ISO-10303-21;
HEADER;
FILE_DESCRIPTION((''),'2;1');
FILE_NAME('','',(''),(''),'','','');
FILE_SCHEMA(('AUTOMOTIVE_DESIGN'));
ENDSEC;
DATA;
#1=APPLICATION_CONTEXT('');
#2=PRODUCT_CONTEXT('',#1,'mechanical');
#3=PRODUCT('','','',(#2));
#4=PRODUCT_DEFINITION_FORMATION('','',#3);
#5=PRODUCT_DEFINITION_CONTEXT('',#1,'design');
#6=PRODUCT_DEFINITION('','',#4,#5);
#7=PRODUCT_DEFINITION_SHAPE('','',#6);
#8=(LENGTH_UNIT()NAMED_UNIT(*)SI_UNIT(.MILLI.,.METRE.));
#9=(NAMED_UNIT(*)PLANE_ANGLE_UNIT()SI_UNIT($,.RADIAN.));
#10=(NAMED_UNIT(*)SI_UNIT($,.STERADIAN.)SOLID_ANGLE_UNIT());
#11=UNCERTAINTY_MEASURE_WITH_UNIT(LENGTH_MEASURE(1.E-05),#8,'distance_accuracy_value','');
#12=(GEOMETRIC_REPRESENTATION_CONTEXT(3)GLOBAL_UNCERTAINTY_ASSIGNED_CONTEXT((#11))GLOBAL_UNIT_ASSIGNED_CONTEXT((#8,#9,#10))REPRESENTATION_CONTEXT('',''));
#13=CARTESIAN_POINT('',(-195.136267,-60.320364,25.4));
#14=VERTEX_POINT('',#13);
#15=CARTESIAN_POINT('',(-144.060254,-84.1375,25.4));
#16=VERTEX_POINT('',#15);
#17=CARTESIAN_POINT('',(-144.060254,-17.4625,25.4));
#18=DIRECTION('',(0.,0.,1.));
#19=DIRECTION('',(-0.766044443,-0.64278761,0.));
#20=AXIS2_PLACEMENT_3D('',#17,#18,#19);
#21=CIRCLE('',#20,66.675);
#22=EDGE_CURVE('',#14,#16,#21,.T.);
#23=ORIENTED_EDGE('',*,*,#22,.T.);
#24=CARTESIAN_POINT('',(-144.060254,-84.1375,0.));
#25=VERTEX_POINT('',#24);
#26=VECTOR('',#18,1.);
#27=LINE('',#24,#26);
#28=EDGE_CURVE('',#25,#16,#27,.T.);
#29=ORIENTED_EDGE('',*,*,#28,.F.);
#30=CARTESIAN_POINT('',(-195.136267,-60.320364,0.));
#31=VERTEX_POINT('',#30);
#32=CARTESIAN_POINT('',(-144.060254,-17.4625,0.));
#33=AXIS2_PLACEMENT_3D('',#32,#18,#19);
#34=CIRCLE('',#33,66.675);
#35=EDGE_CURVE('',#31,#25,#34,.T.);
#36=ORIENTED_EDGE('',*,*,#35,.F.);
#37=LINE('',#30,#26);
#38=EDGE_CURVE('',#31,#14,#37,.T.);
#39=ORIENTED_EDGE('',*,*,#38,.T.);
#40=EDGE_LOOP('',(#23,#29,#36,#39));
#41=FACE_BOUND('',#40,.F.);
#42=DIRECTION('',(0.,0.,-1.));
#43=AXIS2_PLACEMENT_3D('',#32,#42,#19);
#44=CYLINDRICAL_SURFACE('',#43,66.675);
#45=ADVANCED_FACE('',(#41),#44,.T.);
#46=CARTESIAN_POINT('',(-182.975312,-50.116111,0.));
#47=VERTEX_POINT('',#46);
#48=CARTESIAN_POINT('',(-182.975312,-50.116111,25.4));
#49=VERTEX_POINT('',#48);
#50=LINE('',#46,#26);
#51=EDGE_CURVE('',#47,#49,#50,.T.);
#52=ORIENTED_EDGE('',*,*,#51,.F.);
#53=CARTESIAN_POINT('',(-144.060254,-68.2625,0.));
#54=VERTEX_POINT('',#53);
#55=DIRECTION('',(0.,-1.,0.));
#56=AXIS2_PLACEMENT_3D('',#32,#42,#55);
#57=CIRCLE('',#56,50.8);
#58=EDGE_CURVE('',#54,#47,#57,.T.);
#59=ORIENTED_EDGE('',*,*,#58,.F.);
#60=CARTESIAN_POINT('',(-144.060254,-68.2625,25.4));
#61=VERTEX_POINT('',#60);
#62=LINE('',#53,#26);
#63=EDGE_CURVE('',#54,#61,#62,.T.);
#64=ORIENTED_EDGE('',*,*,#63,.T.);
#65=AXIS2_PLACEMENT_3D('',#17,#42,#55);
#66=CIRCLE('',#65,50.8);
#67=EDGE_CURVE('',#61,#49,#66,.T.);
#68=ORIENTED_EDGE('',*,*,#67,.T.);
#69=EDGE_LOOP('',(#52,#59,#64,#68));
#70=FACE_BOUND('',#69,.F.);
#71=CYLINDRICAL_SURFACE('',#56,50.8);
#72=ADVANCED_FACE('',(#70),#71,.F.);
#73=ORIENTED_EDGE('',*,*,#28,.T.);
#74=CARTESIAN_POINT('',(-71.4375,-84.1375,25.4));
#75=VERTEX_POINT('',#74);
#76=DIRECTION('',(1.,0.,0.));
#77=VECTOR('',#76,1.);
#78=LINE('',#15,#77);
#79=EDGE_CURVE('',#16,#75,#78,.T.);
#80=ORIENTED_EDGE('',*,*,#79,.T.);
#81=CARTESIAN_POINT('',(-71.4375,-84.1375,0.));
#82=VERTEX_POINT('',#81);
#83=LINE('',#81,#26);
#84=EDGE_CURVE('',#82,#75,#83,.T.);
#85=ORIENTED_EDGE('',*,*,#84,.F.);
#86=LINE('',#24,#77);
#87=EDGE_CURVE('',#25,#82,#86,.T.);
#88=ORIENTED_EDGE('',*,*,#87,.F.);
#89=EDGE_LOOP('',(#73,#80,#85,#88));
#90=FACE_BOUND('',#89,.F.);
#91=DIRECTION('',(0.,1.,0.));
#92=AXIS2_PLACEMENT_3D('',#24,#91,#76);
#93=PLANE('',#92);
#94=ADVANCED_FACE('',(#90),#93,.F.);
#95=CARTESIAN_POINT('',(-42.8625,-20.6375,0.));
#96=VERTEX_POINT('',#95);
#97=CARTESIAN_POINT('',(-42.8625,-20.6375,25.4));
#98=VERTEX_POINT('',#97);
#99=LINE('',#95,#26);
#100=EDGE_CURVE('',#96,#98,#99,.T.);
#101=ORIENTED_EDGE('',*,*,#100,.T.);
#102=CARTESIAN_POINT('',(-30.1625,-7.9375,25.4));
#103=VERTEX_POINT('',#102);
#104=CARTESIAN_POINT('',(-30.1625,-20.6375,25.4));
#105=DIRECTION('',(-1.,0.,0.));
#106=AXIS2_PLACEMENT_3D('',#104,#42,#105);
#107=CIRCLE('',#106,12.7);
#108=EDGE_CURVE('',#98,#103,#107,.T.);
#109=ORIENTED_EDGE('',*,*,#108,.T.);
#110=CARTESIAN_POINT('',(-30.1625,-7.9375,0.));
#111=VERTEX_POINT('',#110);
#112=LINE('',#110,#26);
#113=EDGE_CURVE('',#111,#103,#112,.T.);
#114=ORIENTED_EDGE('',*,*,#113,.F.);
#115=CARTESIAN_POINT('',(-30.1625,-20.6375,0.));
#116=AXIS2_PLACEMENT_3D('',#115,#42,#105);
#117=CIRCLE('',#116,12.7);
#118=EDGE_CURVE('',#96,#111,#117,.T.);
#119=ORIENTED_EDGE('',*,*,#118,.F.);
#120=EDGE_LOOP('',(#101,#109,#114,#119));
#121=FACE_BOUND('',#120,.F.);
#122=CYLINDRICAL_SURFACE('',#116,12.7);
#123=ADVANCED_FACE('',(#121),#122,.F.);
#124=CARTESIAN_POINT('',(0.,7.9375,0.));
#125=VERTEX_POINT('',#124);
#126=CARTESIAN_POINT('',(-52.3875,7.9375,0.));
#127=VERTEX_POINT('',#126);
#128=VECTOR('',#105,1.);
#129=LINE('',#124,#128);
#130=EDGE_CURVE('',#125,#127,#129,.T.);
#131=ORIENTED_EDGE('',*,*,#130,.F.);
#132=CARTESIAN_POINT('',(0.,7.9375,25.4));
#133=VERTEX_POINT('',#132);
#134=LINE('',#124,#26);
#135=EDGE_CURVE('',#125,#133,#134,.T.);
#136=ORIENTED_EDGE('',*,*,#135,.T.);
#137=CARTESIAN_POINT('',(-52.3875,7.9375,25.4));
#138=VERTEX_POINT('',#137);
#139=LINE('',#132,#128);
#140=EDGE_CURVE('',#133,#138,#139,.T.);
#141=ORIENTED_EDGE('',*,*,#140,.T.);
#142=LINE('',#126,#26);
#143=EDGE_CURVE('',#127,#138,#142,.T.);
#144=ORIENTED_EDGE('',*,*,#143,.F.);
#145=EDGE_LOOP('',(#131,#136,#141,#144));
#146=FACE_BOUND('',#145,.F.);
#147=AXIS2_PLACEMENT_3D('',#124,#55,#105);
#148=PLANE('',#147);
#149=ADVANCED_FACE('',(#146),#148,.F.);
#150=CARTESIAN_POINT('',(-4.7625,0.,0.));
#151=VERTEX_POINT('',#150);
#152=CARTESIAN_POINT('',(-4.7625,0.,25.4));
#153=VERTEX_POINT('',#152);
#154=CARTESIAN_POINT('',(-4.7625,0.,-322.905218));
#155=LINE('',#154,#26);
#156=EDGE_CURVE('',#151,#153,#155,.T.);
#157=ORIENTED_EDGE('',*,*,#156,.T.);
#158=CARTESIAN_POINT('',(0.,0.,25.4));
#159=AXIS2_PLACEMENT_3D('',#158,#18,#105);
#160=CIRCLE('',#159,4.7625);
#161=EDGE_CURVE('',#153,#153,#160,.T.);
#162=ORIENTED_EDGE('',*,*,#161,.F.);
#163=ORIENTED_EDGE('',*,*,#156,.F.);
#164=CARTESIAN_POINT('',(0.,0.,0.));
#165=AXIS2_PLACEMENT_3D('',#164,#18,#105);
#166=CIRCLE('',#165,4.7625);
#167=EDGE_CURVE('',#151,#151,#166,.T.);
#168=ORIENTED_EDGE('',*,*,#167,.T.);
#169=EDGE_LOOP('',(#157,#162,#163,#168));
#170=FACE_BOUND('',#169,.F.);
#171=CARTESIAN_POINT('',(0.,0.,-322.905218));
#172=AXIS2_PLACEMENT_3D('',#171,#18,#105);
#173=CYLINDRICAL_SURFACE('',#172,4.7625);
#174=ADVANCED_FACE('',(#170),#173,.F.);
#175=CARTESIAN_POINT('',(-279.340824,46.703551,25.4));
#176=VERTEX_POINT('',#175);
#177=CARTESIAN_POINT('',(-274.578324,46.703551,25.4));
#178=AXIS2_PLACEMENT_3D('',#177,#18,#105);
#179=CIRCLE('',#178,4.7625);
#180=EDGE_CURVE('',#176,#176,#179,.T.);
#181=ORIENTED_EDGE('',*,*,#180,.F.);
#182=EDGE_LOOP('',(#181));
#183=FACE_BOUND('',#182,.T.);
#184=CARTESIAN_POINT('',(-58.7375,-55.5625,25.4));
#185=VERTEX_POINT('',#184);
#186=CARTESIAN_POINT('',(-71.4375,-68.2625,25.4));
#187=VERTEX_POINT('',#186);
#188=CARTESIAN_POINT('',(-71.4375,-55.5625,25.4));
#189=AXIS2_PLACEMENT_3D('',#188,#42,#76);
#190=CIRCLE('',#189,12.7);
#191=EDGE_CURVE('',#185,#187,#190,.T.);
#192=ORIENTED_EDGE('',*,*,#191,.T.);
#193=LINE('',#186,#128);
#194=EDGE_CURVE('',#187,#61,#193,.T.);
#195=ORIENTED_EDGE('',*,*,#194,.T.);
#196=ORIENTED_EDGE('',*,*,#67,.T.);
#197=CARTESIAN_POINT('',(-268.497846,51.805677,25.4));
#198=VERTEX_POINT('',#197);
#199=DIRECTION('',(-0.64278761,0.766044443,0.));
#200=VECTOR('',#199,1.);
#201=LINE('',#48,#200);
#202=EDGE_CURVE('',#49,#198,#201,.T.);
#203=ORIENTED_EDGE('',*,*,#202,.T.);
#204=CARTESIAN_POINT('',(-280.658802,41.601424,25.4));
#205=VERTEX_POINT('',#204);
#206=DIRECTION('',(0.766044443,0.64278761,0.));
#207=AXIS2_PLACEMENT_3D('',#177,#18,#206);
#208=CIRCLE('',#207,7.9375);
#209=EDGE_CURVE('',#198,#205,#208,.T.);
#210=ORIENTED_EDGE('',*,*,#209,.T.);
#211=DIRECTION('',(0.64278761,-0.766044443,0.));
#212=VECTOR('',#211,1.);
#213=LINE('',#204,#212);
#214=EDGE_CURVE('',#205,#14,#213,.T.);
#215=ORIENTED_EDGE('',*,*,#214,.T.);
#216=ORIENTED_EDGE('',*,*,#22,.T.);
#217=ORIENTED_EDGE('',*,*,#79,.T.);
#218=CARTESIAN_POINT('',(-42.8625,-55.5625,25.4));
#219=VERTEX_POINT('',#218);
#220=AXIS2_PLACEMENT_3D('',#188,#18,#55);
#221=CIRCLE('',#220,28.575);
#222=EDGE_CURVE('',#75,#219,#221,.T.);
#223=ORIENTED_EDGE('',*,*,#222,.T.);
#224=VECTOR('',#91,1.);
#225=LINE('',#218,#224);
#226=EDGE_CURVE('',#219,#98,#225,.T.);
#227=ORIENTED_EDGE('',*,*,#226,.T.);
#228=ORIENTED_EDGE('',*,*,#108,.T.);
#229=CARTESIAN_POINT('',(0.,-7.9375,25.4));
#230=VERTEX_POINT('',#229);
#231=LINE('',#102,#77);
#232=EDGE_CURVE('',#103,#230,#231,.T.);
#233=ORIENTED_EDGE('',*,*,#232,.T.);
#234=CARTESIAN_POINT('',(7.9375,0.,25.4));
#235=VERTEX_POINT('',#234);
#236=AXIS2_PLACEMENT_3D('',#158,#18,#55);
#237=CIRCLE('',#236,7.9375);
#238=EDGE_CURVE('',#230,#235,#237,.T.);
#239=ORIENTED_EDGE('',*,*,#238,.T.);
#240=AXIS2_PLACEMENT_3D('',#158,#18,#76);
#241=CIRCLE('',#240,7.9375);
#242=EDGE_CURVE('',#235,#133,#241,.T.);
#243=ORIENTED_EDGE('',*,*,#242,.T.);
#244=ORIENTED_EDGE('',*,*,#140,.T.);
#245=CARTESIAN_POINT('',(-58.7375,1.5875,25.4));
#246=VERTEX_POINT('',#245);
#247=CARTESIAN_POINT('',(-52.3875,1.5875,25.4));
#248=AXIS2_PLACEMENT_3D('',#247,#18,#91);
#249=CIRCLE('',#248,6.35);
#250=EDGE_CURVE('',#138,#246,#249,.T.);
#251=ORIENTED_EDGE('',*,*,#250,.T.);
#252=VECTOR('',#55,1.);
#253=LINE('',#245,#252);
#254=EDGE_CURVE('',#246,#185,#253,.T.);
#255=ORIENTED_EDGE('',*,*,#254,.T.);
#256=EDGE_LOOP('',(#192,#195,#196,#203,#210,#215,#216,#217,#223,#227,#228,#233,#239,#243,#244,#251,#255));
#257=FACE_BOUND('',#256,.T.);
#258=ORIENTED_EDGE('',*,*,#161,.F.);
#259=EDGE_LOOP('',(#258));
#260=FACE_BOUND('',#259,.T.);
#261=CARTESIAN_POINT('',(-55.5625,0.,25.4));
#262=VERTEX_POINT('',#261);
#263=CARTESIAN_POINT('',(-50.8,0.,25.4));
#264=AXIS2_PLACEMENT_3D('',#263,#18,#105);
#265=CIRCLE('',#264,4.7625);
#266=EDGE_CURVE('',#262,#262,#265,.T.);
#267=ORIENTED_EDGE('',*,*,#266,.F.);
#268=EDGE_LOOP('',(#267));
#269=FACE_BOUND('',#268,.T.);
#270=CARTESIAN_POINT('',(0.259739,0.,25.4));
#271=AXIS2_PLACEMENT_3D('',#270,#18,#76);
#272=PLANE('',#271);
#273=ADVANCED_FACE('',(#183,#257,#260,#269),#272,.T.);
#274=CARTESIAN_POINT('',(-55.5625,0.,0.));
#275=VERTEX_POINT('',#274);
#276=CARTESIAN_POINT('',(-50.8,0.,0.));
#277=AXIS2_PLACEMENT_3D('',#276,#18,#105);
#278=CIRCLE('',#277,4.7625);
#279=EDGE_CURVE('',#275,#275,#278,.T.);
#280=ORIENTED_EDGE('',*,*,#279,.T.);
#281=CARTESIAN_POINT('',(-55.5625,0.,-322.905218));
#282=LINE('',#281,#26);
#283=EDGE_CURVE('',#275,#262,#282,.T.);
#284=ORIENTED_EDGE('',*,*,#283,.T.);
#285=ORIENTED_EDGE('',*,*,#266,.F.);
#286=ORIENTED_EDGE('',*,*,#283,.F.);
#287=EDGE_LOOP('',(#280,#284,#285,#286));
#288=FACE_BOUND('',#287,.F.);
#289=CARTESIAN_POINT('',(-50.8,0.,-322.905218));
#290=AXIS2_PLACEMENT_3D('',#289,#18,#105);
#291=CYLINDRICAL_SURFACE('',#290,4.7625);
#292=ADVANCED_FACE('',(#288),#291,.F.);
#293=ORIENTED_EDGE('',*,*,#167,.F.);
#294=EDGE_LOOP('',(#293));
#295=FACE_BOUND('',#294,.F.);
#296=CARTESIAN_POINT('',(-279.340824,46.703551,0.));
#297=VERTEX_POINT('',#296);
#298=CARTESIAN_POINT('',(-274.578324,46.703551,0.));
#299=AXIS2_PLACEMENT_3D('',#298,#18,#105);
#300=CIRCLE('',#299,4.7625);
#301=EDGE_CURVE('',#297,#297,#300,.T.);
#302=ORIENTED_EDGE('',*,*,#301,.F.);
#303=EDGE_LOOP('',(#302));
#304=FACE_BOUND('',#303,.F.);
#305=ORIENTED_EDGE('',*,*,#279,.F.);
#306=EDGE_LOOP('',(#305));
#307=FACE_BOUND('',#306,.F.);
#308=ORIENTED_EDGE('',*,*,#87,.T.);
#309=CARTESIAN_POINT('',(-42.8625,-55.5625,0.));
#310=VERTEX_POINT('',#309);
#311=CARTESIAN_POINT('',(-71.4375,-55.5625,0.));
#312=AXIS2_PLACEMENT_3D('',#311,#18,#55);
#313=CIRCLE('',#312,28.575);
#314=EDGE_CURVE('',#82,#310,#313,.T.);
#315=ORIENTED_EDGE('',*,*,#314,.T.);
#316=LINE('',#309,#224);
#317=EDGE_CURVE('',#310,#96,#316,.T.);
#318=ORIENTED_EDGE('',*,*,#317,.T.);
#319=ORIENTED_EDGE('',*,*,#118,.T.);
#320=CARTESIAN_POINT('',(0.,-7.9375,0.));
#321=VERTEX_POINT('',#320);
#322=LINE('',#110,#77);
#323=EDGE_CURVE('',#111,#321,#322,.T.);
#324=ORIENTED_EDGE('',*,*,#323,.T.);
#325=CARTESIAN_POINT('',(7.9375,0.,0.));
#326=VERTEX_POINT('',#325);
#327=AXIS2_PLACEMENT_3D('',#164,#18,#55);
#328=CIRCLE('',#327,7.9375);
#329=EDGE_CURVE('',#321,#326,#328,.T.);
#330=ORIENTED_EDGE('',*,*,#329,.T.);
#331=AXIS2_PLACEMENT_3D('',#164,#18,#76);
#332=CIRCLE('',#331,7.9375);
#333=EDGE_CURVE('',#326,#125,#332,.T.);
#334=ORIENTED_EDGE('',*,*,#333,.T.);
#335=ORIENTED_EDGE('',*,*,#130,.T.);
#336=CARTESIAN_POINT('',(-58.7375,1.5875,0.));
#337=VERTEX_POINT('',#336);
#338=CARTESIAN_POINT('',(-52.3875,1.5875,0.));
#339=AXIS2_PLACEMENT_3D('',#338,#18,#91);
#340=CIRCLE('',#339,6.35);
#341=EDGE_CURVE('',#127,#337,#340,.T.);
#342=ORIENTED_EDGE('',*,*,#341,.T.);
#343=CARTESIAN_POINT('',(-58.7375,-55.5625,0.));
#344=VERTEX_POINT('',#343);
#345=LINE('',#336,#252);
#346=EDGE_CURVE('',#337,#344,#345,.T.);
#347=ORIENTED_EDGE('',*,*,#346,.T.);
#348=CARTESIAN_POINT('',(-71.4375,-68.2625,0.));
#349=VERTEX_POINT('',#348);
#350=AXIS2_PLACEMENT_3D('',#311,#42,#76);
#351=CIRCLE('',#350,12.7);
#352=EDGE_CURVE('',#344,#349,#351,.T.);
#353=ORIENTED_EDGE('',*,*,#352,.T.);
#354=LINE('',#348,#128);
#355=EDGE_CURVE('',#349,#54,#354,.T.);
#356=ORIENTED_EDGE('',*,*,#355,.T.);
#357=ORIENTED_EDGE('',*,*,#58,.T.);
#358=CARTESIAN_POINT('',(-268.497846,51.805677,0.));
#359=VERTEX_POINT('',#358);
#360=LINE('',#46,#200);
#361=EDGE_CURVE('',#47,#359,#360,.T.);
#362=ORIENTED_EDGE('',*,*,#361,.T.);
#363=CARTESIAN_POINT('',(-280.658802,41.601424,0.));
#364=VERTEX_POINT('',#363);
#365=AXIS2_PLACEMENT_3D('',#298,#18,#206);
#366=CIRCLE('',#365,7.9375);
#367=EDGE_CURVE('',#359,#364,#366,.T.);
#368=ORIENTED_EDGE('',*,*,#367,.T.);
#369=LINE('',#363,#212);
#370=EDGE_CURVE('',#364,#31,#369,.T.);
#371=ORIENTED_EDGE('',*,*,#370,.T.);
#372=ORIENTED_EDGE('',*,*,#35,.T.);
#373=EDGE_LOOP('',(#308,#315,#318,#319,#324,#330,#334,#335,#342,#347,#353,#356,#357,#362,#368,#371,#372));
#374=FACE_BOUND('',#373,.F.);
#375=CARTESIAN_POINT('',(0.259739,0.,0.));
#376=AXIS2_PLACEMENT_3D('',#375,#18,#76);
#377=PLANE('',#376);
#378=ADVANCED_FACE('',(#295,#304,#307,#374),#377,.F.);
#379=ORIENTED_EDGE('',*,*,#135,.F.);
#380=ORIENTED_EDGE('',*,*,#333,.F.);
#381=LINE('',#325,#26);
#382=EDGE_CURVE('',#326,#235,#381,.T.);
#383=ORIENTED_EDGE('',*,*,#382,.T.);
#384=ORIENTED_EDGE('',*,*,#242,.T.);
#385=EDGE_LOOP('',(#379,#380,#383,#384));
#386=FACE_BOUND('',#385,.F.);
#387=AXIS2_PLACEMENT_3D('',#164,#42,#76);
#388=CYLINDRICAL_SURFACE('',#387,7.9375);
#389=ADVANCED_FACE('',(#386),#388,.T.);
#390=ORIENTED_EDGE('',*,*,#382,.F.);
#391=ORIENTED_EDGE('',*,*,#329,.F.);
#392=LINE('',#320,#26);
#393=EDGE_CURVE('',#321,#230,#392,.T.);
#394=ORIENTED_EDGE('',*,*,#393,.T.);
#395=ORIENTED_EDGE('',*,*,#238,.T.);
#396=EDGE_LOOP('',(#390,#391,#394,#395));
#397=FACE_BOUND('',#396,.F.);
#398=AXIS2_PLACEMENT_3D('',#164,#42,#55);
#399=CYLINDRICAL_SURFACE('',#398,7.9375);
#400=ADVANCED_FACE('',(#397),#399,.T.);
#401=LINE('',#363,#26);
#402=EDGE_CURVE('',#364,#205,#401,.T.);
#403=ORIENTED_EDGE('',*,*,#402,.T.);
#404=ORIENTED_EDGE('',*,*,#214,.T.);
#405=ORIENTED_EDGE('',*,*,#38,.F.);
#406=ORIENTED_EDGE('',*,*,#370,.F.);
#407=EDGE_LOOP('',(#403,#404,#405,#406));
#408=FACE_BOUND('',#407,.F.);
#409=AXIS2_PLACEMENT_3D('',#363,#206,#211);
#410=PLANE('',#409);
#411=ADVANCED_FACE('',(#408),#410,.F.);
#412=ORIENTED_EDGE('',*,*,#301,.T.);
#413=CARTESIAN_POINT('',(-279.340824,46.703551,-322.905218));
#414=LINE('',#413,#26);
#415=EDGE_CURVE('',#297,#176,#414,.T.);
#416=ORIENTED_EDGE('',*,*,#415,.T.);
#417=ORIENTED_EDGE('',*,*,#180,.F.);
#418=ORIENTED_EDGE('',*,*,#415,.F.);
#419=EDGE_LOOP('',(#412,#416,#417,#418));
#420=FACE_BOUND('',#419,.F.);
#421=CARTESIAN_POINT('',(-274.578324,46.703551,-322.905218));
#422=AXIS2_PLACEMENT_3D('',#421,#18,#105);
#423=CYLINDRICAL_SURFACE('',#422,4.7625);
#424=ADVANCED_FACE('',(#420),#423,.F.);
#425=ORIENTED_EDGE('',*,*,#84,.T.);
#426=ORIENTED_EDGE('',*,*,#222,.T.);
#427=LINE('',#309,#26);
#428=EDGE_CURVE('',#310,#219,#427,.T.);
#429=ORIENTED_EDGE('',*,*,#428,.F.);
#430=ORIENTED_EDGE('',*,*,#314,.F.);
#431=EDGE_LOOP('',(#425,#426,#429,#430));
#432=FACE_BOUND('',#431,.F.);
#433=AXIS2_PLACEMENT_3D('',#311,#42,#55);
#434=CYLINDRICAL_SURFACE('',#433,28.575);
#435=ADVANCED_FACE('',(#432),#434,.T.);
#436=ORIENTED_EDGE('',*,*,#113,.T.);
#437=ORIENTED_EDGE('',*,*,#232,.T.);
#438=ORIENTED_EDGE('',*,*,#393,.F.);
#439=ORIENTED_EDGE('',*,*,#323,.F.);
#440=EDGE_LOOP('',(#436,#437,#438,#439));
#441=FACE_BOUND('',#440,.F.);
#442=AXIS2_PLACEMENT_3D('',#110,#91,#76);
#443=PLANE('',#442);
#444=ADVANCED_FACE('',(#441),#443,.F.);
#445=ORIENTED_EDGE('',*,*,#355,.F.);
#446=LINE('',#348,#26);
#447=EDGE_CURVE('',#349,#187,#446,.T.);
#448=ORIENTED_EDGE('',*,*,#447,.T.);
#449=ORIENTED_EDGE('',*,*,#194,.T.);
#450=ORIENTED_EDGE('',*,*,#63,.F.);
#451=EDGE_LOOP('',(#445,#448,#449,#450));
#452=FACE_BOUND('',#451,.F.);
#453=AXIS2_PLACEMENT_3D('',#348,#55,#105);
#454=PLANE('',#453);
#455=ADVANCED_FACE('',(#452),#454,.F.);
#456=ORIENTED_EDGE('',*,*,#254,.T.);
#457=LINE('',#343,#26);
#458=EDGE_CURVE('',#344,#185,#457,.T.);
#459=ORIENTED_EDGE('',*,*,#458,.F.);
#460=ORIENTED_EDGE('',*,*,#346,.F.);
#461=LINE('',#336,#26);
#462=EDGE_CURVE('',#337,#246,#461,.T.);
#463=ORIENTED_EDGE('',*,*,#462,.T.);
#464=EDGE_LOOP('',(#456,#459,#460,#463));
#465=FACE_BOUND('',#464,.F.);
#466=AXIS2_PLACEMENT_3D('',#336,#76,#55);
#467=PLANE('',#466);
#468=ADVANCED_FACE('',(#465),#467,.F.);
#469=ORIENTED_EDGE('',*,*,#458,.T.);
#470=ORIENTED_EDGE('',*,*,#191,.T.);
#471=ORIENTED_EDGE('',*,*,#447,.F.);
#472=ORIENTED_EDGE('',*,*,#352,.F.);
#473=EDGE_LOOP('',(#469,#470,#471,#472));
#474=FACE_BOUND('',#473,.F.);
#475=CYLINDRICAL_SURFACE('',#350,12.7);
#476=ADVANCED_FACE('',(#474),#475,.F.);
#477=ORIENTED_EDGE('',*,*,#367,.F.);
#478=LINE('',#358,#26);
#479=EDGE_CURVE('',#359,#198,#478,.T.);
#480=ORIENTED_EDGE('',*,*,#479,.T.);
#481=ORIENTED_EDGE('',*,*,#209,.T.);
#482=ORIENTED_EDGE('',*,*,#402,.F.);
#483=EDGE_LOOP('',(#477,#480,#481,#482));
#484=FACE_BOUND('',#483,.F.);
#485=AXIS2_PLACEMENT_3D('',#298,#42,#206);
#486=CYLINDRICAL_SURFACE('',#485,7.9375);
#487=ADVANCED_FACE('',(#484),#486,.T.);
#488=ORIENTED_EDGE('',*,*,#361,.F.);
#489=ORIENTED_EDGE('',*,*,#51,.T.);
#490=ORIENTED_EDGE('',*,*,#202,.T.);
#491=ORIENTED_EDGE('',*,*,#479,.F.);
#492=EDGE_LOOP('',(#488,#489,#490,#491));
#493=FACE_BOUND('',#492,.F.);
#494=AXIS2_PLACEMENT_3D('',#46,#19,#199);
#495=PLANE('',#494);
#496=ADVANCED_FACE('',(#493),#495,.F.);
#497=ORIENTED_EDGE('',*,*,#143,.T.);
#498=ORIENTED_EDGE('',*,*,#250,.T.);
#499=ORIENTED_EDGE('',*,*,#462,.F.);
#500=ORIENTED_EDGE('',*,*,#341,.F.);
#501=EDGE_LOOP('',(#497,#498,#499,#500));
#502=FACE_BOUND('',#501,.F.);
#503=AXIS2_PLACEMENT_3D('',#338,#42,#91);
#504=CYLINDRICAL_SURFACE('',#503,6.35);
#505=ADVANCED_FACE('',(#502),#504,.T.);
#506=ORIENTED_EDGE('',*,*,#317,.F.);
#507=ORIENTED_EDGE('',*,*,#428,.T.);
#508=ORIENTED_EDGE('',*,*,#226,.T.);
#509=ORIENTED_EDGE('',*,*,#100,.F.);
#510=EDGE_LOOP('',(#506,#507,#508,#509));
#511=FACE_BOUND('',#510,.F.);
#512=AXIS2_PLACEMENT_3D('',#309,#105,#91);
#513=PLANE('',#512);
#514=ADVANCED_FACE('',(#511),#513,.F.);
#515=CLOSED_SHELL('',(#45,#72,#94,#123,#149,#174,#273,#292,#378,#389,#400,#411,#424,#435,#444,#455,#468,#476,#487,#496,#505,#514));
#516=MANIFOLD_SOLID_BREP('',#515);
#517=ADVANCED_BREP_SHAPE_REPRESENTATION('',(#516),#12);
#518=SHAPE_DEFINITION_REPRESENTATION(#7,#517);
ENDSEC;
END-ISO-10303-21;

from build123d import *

# Parameters (mm, degrees)
F2_DEPTH = 25.4
F3_D     = 9.525


with BuildPart() as f2:
    # F1 (on Top) → F2 (new body)
    with BuildSketch(Plane.XY):
        with BuildLine():
            ThreePointArc((7.9375, 0), (5.6126600757, 5.6126600757), (0, 7.9375))
            ThreePointArc((0, 7.9375), (-7.9375, 0), (0, -7.9375))
            ThreePointArc((0, -7.9375), (5.6126600757, -5.6126600757), (7.9375, 0))
        make_face()
        with BuildLine():
            ThreePointArc((-144.0602539291, -68.2625), (-165.5292616255, -63.5029355815), (-182.9753116396, -50.1161105721))
            Line((-182.9753116396, -50.1161105721), (-268.4978463522, 51.8056774194))
            ThreePointArc((-268.4978463522, 51.8056774194), (-279.6804507713, 52.7840285348), (-280.6588018867, 41.6014241157))
            Line((-280.6588018867, 41.6014241157), (-195.1362671741, -60.3203638759))
            ThreePointArc((-195.1362671741, -60.3203638759), (-172.2383265307, -77.8905717007), (-144.0602539291, -84.1375))
            Line((-144.0602539291, -84.1375), (-71.4375, -84.1375))
            ThreePointArc((-71.4375, -84.1375), (-51.2319237276, -75.7680762724), (-42.8625, -55.5625))
            Line((-42.8625, -55.5625), (-42.8625, -20.6375))
            ThreePointArc((-42.8625, -20.6375), (-39.1427561211, -11.6572438789), (-30.1625, -7.9375))
            Line((-30.1625, -7.9375), (0, -7.9375))
            ThreePointArc((0, -7.9375), (-7.9375, 0), (0, 7.9375))
            Line((0, 7.9375), (-52.3875, 7.9375))
            ThreePointArc((-52.3875, 7.9375), (-56.8776280605, 6.0776280605), (-58.7375, 1.5875))
            Line((-58.7375, 1.5875), (-58.7375, -55.5625))
            ThreePointArc((-58.7375, -55.5625), (-62.4572438789, -64.5427561211), (-71.4375, -68.2625))
            Line((-71.4375, -68.2625), (-144.0602539291, -68.2625))
        make_face()
    extrude(amount=F2_DEPTH)

    # F3 (through all)
    with Locations(Plane(origin=(0, 0, 0), x_dir=(1, 0, 0), z_dir=(0, 0, -1))):
        with Locations((-274.5783241194, -46.7035507676), (0, 0), (-50.8, 0)):
            Hole(F3_D / 2)


solid = f2.part
